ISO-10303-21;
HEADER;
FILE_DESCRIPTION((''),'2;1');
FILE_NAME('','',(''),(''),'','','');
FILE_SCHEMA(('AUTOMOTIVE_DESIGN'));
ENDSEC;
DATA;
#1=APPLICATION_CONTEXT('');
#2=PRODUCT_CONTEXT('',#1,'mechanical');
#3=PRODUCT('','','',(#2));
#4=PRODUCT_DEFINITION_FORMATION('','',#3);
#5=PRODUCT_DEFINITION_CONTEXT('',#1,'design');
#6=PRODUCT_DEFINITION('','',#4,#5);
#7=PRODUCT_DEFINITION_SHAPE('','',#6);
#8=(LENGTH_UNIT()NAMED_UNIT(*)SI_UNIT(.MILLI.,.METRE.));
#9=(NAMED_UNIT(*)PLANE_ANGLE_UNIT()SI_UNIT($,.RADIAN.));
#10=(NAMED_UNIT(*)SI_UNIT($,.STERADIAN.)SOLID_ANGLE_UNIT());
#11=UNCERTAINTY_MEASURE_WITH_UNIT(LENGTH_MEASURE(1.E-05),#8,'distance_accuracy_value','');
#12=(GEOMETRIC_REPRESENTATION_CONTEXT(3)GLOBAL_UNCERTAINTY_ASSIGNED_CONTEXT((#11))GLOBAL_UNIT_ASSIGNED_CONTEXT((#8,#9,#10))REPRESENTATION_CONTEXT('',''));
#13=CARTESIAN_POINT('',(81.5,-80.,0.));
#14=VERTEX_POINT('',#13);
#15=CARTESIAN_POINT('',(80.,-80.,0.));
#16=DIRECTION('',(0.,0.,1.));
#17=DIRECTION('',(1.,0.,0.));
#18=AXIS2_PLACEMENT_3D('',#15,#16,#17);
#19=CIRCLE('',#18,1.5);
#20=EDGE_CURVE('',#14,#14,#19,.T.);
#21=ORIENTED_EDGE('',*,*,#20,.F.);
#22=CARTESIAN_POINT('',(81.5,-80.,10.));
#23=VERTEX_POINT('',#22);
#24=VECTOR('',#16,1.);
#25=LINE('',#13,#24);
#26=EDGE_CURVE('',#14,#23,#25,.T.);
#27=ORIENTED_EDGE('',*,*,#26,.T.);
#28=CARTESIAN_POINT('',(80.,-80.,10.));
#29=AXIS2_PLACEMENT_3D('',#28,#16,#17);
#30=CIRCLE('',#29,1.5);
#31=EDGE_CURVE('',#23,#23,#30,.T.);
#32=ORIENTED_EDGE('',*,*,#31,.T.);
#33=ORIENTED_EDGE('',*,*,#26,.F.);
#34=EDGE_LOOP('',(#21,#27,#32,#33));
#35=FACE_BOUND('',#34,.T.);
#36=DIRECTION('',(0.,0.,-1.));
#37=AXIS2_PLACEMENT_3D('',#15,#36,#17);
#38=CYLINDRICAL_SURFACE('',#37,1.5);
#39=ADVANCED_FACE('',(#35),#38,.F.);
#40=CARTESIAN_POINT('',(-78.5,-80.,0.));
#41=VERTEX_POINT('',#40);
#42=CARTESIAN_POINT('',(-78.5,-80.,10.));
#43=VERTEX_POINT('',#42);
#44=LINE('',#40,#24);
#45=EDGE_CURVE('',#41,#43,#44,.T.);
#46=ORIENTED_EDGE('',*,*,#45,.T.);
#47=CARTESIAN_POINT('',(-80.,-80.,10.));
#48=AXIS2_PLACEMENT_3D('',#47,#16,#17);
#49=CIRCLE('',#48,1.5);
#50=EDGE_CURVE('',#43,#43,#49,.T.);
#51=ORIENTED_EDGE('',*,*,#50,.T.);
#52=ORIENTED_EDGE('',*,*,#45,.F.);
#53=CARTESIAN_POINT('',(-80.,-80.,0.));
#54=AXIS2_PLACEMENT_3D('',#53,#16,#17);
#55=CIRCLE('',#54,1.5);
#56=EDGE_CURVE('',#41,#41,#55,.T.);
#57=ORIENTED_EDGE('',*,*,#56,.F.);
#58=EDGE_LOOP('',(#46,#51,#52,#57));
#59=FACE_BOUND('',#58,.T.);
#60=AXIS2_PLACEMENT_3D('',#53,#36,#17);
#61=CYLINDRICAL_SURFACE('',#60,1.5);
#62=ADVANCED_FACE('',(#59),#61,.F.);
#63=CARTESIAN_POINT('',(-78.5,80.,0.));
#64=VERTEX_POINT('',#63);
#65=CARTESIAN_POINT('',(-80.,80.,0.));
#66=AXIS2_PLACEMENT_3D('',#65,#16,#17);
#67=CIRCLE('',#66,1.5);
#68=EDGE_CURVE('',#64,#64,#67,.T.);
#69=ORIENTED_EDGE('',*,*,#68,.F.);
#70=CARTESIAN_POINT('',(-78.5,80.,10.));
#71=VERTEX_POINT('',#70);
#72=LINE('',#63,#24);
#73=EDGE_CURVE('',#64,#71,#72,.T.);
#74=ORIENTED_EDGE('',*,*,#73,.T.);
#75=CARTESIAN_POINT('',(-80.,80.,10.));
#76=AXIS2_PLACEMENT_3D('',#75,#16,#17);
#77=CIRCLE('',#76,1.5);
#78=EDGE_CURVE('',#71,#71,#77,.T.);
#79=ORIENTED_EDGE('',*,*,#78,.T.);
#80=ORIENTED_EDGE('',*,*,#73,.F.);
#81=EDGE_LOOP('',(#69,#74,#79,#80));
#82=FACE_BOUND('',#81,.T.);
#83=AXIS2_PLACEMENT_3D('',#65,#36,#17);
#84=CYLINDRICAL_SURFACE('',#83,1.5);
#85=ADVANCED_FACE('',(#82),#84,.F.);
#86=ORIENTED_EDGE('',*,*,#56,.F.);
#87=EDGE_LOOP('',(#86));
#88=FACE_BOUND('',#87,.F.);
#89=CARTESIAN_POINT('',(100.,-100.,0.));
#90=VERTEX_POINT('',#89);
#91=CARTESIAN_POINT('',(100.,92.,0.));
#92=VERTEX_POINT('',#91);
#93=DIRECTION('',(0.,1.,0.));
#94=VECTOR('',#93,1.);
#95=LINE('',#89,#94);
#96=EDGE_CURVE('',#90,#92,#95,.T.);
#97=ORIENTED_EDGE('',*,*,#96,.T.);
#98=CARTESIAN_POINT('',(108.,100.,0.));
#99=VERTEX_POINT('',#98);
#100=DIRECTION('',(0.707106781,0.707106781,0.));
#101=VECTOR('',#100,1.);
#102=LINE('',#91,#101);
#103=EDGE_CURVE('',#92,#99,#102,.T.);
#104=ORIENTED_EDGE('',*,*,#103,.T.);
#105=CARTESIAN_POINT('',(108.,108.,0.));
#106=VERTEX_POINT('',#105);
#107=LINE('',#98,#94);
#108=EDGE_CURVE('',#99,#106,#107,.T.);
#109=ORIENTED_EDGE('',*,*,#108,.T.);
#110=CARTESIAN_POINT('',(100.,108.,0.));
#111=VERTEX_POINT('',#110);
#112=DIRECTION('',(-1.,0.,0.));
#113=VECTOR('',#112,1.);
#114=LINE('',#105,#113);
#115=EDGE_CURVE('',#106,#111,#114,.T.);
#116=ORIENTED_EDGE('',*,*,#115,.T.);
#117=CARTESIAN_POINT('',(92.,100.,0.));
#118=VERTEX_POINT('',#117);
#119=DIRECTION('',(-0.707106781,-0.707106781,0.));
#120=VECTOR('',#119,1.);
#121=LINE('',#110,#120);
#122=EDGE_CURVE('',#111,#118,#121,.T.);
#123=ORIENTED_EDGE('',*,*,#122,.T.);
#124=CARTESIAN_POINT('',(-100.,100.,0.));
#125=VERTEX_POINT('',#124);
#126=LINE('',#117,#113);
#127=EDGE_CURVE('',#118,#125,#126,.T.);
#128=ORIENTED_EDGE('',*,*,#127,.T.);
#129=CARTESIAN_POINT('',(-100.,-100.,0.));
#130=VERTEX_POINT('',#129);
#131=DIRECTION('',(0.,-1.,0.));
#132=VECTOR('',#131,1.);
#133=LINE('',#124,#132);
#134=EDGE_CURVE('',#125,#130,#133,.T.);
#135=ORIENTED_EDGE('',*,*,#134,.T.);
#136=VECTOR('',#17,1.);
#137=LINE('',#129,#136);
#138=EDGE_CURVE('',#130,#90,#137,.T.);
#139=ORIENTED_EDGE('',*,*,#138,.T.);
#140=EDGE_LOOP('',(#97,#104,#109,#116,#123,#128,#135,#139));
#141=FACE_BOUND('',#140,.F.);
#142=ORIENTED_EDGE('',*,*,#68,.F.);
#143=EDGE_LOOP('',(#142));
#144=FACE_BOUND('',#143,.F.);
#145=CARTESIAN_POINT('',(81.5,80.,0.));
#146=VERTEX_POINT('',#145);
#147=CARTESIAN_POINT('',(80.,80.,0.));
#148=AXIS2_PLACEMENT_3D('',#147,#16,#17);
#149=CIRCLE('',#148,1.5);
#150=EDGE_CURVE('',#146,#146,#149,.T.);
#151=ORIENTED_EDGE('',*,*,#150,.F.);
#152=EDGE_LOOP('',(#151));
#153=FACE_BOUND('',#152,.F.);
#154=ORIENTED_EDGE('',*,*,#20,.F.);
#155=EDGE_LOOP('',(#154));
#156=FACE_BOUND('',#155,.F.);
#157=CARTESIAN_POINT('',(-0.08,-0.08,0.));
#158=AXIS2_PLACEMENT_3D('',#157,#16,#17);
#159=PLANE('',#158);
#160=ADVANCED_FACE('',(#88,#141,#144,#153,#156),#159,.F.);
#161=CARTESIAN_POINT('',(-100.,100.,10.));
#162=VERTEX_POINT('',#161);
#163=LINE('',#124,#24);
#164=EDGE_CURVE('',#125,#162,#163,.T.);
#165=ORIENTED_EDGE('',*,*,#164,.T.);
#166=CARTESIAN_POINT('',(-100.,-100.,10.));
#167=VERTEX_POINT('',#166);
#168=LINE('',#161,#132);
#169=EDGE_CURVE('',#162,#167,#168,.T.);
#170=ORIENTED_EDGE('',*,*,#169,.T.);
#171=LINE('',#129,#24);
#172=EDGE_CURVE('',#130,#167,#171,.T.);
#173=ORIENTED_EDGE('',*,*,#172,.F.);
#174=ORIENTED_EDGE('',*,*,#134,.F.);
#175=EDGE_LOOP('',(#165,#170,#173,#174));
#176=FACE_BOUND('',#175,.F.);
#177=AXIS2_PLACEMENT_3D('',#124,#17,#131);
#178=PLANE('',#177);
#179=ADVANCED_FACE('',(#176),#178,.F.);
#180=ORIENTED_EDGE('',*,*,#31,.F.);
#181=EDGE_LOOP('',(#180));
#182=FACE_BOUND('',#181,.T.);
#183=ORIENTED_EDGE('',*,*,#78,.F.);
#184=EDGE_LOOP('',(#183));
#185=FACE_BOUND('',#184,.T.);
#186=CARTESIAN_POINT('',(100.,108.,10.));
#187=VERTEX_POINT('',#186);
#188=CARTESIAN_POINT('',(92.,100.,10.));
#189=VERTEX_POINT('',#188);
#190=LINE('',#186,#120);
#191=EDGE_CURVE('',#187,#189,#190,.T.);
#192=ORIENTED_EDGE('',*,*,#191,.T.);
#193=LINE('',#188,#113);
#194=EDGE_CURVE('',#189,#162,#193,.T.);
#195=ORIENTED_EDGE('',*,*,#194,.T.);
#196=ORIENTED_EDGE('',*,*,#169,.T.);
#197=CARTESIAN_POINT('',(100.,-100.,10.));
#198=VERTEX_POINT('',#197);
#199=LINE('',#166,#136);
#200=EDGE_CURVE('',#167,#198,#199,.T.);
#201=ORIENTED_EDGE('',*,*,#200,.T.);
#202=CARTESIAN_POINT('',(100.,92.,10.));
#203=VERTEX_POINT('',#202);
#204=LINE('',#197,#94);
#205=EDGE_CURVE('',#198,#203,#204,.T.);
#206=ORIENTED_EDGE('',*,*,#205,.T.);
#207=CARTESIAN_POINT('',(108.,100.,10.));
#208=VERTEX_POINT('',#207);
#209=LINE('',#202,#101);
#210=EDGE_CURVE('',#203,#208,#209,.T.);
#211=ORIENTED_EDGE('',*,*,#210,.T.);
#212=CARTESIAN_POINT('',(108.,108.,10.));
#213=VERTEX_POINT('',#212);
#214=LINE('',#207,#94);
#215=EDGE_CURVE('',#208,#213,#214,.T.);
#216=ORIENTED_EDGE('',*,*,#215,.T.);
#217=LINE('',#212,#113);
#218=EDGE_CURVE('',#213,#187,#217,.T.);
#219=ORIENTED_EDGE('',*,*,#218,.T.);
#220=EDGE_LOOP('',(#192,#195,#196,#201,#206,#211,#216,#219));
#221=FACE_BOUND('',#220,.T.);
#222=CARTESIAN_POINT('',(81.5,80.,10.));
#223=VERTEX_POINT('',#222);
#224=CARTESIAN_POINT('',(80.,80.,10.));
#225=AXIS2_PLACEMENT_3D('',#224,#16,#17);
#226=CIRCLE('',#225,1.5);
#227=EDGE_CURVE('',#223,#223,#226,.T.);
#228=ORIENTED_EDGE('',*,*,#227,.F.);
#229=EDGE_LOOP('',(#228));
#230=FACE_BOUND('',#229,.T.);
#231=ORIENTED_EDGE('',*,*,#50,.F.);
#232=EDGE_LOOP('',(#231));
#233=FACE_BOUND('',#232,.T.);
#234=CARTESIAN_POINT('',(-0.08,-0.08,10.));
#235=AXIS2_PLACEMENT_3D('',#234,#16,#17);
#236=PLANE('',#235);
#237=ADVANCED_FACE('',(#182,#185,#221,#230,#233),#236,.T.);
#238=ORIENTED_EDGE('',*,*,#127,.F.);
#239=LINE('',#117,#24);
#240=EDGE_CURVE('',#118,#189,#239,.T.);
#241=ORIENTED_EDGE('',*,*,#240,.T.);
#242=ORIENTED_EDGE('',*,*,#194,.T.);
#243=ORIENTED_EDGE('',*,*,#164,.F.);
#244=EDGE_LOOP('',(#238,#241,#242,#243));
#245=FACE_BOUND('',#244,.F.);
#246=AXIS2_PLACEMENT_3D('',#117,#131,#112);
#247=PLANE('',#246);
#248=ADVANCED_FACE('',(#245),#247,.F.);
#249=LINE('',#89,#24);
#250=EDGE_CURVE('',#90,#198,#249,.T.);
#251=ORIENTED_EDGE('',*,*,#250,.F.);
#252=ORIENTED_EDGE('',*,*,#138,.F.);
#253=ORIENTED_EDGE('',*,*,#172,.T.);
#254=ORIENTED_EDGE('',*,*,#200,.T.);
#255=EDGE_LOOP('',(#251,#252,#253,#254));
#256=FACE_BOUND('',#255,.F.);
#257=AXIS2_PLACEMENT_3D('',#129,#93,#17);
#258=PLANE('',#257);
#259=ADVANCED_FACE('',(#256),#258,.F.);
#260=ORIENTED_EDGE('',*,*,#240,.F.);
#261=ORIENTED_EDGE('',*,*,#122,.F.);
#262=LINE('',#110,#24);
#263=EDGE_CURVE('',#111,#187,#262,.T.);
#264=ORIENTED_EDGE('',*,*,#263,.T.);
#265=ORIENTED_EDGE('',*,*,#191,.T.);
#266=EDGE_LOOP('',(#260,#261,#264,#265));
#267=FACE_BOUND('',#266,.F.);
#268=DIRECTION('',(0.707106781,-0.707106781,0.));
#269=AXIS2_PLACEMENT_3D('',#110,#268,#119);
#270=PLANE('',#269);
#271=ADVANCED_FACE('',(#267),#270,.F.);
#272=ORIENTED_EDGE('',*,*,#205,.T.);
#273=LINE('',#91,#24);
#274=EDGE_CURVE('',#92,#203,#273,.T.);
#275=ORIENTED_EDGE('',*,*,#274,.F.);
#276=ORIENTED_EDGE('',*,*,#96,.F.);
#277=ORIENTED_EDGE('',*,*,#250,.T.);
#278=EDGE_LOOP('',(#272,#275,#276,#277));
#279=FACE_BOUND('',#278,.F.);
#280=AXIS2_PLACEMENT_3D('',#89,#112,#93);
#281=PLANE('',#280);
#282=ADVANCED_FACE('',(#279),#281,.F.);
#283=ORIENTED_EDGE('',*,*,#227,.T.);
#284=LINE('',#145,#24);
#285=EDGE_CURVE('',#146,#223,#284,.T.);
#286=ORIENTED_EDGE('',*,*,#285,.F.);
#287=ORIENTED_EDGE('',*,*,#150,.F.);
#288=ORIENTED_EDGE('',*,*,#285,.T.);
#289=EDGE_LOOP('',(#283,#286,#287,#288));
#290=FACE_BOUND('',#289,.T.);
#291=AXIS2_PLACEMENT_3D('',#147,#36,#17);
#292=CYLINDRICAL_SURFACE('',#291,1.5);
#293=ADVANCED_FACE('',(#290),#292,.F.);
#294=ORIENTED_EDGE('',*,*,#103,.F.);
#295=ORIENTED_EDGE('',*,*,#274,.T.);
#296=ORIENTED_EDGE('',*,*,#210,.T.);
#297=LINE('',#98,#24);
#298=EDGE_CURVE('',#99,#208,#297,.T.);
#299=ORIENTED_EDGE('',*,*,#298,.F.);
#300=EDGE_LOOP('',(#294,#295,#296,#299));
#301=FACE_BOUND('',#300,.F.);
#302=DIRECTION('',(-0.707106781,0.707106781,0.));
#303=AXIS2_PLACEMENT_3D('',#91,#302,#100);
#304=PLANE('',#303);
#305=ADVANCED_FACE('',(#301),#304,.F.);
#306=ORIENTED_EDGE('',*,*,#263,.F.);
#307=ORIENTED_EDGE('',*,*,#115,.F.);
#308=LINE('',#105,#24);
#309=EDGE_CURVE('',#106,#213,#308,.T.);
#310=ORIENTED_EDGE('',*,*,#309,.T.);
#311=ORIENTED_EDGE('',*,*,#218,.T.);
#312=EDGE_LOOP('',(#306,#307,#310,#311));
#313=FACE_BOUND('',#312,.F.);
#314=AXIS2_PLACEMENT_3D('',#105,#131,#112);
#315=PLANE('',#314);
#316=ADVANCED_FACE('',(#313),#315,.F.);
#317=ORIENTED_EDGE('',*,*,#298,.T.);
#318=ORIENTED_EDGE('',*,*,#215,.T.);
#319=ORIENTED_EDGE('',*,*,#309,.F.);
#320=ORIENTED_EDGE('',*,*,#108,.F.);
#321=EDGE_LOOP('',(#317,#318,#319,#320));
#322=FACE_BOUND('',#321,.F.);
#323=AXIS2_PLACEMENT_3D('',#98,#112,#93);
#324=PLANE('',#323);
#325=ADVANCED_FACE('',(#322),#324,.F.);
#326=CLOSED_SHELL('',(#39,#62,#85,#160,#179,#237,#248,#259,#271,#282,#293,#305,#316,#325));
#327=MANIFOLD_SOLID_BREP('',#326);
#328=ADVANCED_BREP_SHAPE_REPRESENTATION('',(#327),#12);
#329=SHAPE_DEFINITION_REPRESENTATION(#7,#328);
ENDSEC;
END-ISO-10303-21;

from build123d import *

# Parameters (mm, degrees)
F0_W     = 184
F0_H     = 184
F0_R     = 1.5
F0_W_2   = 8
F0_H_2   = 8
F1_DEPTH = 10


with BuildPart() as f1:
    # F0 (on Top) → F1 (new body)
    with BuildSketch(Plane.XY):
        Polygon((100, 92), (92, 92), (92, 100), (-100, 100), (-100, -100), (100, -100), align=None)
        Rectangle(F0_W, F0_H, mode=Mode.SUBTRACT)
        Rectangle(F0_W, F0_H)
        with Locations((-80, -80)):
            Circle(F0_R, mode=Mode.SUBTRACT)
        with Locations((80, -80)):
            Circle(F0_R, mode=Mode.SUBTRACT)
        with Locations((-80, 80)):
            Circle(F0_R, mode=Mode.SUBTRACT)
        with Locations((80, 80)):
            Circle(F0_R, mode=Mode.SUBTRACT)
        Polygon((100, 100), (100, 92), (108, 100), (108, 108), (100, 108), (92, 100), align=None)
        with Locations((96, 96)):
            Rectangle(F0_W_2, F0_H_2)
    extrude(amount=F1_DEPTH)


solid = f1.part
